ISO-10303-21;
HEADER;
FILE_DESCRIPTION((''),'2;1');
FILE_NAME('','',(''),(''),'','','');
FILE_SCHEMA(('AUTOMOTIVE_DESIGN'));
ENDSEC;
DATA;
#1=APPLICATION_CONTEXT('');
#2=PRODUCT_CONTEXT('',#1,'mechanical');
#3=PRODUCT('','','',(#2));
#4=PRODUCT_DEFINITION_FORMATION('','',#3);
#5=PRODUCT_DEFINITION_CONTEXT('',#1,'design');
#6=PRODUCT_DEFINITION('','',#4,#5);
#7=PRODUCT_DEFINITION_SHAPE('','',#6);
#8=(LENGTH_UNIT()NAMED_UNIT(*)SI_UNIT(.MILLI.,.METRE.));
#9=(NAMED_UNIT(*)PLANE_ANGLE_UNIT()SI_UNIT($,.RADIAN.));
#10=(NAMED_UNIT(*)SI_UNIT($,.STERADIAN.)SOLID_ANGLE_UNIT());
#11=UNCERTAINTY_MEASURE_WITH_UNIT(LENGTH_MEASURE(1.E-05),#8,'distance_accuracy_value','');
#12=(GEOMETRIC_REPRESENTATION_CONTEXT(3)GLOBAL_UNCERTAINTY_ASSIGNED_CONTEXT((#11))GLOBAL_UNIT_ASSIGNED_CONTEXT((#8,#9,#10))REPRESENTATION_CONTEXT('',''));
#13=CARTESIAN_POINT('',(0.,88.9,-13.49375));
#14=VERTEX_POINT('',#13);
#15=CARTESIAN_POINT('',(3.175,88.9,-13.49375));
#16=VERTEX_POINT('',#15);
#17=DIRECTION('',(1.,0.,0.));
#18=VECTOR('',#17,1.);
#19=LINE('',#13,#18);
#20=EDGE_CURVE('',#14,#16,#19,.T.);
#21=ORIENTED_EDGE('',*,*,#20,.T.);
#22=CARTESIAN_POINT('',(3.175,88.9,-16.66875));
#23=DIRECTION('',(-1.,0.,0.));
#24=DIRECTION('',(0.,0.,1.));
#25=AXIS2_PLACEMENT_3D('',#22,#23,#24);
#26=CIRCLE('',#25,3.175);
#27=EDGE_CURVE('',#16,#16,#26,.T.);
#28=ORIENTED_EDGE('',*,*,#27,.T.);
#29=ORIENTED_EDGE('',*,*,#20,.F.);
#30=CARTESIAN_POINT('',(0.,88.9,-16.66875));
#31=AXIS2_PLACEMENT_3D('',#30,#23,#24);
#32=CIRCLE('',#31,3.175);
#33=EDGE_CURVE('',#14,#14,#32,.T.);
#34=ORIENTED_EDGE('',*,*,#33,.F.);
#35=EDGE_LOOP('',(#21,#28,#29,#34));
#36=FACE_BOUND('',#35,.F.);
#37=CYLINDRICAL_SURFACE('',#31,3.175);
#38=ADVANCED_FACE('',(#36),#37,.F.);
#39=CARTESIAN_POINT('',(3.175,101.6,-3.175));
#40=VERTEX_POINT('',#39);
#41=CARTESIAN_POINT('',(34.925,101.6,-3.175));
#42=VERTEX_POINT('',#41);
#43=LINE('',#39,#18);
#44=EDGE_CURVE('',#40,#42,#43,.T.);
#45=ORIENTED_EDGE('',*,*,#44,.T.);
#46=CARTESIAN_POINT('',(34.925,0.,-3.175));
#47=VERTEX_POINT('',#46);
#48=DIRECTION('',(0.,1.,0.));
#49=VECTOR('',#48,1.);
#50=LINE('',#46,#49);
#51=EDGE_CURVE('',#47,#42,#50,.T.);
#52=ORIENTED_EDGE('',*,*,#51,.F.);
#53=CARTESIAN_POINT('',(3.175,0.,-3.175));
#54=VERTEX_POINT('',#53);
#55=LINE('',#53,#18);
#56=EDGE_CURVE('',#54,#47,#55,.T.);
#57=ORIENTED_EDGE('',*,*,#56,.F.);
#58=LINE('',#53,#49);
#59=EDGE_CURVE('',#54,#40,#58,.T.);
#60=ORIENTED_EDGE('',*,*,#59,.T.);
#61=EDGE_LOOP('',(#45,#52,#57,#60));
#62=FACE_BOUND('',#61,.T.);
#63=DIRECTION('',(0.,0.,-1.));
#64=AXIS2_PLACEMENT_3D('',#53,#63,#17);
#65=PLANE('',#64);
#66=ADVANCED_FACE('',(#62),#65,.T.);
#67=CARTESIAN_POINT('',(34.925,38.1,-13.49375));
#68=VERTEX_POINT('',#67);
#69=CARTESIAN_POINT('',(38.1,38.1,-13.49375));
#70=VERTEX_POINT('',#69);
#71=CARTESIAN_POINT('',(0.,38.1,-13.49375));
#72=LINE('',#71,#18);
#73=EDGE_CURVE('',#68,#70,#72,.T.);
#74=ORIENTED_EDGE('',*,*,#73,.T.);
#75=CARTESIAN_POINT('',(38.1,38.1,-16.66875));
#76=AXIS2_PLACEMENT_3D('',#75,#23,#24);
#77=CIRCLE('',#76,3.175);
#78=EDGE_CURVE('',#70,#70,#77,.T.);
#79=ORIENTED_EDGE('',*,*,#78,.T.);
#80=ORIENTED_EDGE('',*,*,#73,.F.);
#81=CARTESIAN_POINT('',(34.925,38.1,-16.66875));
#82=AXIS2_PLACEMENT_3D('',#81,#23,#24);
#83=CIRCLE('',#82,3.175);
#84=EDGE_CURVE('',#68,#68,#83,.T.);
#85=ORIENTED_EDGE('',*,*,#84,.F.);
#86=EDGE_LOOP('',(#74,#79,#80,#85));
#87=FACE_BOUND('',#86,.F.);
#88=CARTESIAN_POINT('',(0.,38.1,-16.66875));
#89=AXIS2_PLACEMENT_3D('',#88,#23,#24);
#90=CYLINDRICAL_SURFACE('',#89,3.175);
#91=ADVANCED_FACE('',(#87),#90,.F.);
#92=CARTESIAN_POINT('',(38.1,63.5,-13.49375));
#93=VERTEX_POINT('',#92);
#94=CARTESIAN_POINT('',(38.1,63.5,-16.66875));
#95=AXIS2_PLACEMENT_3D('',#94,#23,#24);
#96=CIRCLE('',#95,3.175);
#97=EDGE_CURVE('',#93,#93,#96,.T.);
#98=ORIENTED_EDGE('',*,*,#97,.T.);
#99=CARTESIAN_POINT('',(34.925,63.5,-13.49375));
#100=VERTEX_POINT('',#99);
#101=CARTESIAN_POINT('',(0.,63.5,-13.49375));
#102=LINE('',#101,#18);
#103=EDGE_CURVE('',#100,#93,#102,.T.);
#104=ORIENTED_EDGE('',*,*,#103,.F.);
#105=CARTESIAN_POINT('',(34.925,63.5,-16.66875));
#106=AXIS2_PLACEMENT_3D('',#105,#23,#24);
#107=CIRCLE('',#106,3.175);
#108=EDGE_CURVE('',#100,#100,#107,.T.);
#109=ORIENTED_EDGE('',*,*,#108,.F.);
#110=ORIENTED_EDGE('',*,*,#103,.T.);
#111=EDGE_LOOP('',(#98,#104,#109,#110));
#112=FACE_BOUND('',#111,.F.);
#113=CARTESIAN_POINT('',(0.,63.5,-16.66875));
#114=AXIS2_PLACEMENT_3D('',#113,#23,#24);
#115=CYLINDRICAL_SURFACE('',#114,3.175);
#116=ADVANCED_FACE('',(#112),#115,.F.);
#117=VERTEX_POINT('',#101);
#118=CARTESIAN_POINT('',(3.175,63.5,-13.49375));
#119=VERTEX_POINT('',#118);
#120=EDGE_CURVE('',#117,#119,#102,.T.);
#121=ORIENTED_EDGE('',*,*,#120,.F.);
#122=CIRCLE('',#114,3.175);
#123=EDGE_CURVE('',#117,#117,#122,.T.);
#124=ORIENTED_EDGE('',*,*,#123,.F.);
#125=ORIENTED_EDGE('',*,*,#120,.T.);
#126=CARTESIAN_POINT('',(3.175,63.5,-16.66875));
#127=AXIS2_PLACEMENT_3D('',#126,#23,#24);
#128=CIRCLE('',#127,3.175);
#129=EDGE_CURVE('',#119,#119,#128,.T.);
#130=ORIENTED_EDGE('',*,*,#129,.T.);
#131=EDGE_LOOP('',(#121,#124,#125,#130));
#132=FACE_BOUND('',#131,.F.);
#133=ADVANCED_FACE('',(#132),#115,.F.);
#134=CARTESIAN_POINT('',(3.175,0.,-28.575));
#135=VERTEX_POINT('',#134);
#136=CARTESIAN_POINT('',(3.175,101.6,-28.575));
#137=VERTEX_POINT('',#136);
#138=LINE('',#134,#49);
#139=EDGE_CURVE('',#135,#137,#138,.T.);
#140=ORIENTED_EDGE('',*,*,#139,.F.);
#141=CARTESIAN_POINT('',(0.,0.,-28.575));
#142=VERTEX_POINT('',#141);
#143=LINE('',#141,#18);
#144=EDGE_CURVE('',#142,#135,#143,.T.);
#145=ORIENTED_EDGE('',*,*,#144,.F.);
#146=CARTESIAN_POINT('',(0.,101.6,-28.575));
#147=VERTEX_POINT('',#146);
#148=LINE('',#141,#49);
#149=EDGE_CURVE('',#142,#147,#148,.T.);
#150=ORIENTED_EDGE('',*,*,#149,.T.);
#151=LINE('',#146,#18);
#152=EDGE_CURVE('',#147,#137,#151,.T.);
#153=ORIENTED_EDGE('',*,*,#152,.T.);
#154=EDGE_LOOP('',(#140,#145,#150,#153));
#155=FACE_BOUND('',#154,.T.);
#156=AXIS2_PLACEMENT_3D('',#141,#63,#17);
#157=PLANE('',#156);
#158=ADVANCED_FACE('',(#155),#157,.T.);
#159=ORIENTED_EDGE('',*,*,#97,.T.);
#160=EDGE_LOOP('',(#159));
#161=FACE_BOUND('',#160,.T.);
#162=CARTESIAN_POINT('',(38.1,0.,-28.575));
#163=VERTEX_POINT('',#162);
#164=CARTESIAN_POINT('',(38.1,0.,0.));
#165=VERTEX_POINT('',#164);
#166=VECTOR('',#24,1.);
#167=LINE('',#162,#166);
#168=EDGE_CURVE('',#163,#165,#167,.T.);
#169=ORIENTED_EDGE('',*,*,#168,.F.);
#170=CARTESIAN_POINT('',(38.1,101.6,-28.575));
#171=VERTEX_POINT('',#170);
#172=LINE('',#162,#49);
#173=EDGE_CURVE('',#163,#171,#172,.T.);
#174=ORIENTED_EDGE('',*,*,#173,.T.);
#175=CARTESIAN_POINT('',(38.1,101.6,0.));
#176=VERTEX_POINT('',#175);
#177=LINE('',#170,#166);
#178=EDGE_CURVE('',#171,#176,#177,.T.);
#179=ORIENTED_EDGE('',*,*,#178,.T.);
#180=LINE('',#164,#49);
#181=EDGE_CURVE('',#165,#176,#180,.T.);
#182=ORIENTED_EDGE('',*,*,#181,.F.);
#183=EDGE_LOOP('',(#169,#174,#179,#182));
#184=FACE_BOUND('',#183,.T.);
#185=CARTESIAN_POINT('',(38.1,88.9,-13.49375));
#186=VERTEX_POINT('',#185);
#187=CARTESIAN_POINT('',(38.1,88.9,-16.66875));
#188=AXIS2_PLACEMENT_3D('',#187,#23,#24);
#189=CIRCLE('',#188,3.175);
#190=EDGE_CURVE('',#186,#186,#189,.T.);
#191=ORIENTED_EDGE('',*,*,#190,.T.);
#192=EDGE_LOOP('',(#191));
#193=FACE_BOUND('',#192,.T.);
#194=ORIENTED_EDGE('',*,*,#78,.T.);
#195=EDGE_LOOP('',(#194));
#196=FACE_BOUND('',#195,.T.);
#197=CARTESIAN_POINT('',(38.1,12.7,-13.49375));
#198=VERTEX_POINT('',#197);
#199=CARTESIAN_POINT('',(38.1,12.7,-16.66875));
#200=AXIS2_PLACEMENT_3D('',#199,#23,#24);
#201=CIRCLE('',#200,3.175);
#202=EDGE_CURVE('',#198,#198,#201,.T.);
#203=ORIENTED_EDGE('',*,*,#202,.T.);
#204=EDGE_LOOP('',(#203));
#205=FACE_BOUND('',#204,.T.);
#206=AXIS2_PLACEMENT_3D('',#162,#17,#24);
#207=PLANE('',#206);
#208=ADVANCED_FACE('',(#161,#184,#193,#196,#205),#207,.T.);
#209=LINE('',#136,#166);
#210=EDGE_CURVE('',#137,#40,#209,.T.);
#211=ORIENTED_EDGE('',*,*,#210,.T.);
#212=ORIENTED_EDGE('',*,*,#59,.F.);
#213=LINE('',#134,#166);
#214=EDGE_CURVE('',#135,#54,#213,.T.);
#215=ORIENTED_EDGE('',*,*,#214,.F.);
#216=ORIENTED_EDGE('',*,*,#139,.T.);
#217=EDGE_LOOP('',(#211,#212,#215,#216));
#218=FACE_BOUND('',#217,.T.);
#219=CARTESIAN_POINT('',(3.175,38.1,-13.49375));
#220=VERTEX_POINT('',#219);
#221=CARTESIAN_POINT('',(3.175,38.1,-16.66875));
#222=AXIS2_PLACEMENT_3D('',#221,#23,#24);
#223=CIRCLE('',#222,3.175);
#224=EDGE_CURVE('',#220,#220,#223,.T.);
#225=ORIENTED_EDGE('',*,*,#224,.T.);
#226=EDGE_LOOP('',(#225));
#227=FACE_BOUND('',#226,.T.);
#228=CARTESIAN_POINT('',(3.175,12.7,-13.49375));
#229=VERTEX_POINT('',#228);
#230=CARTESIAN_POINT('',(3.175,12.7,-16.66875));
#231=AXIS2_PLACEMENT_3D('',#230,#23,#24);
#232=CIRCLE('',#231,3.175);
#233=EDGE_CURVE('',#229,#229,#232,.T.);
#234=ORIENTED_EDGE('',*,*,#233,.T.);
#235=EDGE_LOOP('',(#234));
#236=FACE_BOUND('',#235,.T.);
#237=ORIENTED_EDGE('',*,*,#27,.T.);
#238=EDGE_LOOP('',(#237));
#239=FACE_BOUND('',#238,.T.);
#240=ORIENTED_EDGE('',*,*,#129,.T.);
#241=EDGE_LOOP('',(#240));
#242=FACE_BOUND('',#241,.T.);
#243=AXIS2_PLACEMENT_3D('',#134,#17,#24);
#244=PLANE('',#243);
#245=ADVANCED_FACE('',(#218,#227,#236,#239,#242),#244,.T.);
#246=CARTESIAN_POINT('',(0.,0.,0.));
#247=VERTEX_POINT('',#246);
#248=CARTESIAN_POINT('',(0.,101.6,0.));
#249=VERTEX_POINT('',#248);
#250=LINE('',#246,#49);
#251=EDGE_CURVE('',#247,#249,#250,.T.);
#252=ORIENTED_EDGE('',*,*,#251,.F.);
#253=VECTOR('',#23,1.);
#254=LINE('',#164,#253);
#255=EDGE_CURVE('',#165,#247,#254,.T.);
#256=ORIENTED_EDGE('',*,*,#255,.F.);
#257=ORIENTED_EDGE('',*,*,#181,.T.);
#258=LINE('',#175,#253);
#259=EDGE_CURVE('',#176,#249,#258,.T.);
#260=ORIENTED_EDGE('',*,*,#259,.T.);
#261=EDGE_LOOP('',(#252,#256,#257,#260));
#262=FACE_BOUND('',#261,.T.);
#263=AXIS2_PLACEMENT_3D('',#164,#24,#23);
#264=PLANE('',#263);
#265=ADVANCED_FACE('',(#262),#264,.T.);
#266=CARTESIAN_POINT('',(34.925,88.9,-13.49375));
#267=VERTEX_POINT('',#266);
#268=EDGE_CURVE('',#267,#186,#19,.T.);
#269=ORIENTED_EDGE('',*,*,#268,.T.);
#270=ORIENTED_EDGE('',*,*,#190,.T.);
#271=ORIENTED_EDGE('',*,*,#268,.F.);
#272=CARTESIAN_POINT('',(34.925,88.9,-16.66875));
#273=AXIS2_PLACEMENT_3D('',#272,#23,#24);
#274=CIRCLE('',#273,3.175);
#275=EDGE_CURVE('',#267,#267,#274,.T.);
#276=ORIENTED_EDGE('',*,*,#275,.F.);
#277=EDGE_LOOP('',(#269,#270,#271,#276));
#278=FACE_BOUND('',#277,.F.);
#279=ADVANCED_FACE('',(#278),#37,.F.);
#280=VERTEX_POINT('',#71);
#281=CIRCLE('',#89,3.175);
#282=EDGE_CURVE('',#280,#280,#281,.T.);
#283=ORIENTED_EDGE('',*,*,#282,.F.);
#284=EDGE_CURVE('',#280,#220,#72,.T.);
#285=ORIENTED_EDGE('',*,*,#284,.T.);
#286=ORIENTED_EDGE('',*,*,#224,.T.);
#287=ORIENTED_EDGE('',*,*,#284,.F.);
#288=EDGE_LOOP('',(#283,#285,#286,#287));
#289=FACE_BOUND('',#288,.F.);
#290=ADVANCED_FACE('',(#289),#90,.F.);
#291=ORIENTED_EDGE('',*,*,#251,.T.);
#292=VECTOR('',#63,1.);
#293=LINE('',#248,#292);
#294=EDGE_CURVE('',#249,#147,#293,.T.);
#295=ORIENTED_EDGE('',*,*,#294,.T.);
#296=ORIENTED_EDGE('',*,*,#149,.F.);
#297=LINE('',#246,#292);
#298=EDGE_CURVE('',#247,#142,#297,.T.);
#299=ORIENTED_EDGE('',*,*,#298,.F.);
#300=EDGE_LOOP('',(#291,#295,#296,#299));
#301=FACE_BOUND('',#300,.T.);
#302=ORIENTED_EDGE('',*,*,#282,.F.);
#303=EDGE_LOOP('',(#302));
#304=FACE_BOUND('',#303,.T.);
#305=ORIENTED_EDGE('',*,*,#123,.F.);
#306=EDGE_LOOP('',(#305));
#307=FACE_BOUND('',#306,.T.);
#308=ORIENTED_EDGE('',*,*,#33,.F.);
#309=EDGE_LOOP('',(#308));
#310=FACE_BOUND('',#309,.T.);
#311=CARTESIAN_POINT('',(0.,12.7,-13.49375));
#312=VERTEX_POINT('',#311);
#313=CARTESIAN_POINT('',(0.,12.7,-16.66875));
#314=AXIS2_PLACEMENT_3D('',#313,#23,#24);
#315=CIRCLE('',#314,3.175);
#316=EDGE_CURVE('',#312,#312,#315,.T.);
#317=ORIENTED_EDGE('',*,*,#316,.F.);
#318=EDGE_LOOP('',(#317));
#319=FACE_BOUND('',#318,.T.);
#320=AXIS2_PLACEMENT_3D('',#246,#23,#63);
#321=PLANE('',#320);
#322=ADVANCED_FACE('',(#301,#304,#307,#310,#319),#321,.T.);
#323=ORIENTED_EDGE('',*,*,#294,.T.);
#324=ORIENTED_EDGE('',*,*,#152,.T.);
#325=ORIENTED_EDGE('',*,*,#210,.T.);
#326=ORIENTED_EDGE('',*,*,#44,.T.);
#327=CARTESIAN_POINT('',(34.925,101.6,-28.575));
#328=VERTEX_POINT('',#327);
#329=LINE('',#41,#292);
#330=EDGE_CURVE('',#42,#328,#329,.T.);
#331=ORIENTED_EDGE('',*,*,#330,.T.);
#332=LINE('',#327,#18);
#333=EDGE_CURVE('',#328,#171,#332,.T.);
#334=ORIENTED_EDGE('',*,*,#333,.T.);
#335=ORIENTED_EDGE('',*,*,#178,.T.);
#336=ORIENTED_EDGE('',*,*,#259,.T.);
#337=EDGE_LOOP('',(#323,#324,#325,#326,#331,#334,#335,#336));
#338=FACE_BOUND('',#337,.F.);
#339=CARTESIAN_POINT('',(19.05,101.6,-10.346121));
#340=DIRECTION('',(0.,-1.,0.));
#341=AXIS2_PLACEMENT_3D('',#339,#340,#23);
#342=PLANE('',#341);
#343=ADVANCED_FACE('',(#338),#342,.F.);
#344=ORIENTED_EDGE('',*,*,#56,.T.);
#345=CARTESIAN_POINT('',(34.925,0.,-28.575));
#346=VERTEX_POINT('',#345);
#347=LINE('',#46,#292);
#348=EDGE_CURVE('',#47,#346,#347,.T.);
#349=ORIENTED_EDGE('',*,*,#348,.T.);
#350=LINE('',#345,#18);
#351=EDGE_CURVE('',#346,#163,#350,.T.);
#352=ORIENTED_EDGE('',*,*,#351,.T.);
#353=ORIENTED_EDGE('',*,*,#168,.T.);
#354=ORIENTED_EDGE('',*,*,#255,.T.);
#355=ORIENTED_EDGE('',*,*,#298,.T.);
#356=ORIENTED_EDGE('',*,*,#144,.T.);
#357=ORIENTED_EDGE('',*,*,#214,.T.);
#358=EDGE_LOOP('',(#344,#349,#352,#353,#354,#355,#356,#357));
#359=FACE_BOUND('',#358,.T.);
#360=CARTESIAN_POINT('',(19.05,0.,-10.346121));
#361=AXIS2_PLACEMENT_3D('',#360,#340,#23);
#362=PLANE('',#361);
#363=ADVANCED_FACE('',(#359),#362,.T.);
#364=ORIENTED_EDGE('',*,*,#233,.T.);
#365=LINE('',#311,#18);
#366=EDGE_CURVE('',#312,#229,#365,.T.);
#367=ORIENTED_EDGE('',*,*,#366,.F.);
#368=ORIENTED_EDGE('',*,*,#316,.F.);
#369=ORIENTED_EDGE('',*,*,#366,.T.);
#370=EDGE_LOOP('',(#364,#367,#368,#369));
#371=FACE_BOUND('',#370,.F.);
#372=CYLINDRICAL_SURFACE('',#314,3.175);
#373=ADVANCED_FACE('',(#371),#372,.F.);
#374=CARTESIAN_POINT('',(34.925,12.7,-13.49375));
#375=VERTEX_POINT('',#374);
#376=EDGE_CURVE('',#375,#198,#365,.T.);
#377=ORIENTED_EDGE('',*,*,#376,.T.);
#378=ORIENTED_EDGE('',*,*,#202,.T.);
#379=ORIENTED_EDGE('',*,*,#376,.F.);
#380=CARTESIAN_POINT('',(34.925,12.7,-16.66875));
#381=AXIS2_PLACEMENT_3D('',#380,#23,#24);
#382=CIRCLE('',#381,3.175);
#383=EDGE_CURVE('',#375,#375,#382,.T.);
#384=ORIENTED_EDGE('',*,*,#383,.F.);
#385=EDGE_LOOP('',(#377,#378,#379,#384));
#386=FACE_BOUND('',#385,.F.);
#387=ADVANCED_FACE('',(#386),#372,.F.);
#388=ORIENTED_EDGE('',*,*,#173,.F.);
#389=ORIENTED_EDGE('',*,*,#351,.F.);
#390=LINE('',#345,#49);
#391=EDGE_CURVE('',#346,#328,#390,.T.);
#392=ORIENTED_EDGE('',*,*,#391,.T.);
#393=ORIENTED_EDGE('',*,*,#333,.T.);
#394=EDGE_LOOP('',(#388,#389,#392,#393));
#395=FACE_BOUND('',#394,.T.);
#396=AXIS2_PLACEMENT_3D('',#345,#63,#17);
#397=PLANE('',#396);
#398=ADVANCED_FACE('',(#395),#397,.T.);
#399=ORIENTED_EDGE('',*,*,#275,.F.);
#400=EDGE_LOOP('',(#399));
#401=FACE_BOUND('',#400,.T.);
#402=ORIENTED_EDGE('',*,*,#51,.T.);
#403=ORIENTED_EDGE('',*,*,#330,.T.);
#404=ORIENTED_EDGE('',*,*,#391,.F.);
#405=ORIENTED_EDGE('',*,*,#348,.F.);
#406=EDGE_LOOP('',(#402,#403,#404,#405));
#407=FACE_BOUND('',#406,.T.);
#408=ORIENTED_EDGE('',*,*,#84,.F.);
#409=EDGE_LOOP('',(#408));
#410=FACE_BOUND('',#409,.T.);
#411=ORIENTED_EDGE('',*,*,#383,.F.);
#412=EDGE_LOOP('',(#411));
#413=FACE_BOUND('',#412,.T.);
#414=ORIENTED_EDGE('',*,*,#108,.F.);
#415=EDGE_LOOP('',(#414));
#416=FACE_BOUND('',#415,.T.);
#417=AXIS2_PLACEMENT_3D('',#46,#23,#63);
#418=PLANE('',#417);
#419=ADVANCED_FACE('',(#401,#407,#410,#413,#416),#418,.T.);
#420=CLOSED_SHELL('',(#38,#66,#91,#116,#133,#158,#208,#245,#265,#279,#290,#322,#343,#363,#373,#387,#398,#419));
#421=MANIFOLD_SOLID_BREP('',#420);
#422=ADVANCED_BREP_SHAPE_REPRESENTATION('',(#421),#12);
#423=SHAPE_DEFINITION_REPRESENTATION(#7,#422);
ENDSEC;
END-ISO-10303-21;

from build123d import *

# Parameters (mm, degrees)
BOSS_EXTRUDE1_DEPTH = 101.6
SKETCH3_R           = 3.175
CUT_EXTRUDE1_DEPTH  = 113.208291249


with BuildPart() as part:
    # Sketch1 → Boss-Extrude1 (new body)
    with BuildSketch(Plane(origin=(0, 0, 0), x_dir=(1, 0, 0), z_dir=(0, 1, 0))):
        Polygon((0, 0), (0, 28.575), (3.175, 28.575), (3.175, 3.175), (34.925, 3.175), (34.925, 28.575), (38.1, 28.575), (38.1, 0), align=None)
    extrude(amount=BOSS_EXTRUDE1_DEPTH)

    # Sketch3 → Cut-Extrude1 (cut, through all)
    with BuildSketch(Plane.ZY):
        with Locations((-16.66875, 12.7)):
            Circle(SKETCH3_R)
        with Locations((-16.66875, 38.1)):
            Circle(SKETCH3_R)
        with Locations((-16.66875, 63.5)):
            Circle(SKETCH3_R)
        with Locations((-16.66875, 88.9)):
            Circle(SKETCH3_R)
    extrude(amount=-CUT_EXTRUDE1_DEPTH, mode=Mode.SUBTRACT)


solid = part.part
